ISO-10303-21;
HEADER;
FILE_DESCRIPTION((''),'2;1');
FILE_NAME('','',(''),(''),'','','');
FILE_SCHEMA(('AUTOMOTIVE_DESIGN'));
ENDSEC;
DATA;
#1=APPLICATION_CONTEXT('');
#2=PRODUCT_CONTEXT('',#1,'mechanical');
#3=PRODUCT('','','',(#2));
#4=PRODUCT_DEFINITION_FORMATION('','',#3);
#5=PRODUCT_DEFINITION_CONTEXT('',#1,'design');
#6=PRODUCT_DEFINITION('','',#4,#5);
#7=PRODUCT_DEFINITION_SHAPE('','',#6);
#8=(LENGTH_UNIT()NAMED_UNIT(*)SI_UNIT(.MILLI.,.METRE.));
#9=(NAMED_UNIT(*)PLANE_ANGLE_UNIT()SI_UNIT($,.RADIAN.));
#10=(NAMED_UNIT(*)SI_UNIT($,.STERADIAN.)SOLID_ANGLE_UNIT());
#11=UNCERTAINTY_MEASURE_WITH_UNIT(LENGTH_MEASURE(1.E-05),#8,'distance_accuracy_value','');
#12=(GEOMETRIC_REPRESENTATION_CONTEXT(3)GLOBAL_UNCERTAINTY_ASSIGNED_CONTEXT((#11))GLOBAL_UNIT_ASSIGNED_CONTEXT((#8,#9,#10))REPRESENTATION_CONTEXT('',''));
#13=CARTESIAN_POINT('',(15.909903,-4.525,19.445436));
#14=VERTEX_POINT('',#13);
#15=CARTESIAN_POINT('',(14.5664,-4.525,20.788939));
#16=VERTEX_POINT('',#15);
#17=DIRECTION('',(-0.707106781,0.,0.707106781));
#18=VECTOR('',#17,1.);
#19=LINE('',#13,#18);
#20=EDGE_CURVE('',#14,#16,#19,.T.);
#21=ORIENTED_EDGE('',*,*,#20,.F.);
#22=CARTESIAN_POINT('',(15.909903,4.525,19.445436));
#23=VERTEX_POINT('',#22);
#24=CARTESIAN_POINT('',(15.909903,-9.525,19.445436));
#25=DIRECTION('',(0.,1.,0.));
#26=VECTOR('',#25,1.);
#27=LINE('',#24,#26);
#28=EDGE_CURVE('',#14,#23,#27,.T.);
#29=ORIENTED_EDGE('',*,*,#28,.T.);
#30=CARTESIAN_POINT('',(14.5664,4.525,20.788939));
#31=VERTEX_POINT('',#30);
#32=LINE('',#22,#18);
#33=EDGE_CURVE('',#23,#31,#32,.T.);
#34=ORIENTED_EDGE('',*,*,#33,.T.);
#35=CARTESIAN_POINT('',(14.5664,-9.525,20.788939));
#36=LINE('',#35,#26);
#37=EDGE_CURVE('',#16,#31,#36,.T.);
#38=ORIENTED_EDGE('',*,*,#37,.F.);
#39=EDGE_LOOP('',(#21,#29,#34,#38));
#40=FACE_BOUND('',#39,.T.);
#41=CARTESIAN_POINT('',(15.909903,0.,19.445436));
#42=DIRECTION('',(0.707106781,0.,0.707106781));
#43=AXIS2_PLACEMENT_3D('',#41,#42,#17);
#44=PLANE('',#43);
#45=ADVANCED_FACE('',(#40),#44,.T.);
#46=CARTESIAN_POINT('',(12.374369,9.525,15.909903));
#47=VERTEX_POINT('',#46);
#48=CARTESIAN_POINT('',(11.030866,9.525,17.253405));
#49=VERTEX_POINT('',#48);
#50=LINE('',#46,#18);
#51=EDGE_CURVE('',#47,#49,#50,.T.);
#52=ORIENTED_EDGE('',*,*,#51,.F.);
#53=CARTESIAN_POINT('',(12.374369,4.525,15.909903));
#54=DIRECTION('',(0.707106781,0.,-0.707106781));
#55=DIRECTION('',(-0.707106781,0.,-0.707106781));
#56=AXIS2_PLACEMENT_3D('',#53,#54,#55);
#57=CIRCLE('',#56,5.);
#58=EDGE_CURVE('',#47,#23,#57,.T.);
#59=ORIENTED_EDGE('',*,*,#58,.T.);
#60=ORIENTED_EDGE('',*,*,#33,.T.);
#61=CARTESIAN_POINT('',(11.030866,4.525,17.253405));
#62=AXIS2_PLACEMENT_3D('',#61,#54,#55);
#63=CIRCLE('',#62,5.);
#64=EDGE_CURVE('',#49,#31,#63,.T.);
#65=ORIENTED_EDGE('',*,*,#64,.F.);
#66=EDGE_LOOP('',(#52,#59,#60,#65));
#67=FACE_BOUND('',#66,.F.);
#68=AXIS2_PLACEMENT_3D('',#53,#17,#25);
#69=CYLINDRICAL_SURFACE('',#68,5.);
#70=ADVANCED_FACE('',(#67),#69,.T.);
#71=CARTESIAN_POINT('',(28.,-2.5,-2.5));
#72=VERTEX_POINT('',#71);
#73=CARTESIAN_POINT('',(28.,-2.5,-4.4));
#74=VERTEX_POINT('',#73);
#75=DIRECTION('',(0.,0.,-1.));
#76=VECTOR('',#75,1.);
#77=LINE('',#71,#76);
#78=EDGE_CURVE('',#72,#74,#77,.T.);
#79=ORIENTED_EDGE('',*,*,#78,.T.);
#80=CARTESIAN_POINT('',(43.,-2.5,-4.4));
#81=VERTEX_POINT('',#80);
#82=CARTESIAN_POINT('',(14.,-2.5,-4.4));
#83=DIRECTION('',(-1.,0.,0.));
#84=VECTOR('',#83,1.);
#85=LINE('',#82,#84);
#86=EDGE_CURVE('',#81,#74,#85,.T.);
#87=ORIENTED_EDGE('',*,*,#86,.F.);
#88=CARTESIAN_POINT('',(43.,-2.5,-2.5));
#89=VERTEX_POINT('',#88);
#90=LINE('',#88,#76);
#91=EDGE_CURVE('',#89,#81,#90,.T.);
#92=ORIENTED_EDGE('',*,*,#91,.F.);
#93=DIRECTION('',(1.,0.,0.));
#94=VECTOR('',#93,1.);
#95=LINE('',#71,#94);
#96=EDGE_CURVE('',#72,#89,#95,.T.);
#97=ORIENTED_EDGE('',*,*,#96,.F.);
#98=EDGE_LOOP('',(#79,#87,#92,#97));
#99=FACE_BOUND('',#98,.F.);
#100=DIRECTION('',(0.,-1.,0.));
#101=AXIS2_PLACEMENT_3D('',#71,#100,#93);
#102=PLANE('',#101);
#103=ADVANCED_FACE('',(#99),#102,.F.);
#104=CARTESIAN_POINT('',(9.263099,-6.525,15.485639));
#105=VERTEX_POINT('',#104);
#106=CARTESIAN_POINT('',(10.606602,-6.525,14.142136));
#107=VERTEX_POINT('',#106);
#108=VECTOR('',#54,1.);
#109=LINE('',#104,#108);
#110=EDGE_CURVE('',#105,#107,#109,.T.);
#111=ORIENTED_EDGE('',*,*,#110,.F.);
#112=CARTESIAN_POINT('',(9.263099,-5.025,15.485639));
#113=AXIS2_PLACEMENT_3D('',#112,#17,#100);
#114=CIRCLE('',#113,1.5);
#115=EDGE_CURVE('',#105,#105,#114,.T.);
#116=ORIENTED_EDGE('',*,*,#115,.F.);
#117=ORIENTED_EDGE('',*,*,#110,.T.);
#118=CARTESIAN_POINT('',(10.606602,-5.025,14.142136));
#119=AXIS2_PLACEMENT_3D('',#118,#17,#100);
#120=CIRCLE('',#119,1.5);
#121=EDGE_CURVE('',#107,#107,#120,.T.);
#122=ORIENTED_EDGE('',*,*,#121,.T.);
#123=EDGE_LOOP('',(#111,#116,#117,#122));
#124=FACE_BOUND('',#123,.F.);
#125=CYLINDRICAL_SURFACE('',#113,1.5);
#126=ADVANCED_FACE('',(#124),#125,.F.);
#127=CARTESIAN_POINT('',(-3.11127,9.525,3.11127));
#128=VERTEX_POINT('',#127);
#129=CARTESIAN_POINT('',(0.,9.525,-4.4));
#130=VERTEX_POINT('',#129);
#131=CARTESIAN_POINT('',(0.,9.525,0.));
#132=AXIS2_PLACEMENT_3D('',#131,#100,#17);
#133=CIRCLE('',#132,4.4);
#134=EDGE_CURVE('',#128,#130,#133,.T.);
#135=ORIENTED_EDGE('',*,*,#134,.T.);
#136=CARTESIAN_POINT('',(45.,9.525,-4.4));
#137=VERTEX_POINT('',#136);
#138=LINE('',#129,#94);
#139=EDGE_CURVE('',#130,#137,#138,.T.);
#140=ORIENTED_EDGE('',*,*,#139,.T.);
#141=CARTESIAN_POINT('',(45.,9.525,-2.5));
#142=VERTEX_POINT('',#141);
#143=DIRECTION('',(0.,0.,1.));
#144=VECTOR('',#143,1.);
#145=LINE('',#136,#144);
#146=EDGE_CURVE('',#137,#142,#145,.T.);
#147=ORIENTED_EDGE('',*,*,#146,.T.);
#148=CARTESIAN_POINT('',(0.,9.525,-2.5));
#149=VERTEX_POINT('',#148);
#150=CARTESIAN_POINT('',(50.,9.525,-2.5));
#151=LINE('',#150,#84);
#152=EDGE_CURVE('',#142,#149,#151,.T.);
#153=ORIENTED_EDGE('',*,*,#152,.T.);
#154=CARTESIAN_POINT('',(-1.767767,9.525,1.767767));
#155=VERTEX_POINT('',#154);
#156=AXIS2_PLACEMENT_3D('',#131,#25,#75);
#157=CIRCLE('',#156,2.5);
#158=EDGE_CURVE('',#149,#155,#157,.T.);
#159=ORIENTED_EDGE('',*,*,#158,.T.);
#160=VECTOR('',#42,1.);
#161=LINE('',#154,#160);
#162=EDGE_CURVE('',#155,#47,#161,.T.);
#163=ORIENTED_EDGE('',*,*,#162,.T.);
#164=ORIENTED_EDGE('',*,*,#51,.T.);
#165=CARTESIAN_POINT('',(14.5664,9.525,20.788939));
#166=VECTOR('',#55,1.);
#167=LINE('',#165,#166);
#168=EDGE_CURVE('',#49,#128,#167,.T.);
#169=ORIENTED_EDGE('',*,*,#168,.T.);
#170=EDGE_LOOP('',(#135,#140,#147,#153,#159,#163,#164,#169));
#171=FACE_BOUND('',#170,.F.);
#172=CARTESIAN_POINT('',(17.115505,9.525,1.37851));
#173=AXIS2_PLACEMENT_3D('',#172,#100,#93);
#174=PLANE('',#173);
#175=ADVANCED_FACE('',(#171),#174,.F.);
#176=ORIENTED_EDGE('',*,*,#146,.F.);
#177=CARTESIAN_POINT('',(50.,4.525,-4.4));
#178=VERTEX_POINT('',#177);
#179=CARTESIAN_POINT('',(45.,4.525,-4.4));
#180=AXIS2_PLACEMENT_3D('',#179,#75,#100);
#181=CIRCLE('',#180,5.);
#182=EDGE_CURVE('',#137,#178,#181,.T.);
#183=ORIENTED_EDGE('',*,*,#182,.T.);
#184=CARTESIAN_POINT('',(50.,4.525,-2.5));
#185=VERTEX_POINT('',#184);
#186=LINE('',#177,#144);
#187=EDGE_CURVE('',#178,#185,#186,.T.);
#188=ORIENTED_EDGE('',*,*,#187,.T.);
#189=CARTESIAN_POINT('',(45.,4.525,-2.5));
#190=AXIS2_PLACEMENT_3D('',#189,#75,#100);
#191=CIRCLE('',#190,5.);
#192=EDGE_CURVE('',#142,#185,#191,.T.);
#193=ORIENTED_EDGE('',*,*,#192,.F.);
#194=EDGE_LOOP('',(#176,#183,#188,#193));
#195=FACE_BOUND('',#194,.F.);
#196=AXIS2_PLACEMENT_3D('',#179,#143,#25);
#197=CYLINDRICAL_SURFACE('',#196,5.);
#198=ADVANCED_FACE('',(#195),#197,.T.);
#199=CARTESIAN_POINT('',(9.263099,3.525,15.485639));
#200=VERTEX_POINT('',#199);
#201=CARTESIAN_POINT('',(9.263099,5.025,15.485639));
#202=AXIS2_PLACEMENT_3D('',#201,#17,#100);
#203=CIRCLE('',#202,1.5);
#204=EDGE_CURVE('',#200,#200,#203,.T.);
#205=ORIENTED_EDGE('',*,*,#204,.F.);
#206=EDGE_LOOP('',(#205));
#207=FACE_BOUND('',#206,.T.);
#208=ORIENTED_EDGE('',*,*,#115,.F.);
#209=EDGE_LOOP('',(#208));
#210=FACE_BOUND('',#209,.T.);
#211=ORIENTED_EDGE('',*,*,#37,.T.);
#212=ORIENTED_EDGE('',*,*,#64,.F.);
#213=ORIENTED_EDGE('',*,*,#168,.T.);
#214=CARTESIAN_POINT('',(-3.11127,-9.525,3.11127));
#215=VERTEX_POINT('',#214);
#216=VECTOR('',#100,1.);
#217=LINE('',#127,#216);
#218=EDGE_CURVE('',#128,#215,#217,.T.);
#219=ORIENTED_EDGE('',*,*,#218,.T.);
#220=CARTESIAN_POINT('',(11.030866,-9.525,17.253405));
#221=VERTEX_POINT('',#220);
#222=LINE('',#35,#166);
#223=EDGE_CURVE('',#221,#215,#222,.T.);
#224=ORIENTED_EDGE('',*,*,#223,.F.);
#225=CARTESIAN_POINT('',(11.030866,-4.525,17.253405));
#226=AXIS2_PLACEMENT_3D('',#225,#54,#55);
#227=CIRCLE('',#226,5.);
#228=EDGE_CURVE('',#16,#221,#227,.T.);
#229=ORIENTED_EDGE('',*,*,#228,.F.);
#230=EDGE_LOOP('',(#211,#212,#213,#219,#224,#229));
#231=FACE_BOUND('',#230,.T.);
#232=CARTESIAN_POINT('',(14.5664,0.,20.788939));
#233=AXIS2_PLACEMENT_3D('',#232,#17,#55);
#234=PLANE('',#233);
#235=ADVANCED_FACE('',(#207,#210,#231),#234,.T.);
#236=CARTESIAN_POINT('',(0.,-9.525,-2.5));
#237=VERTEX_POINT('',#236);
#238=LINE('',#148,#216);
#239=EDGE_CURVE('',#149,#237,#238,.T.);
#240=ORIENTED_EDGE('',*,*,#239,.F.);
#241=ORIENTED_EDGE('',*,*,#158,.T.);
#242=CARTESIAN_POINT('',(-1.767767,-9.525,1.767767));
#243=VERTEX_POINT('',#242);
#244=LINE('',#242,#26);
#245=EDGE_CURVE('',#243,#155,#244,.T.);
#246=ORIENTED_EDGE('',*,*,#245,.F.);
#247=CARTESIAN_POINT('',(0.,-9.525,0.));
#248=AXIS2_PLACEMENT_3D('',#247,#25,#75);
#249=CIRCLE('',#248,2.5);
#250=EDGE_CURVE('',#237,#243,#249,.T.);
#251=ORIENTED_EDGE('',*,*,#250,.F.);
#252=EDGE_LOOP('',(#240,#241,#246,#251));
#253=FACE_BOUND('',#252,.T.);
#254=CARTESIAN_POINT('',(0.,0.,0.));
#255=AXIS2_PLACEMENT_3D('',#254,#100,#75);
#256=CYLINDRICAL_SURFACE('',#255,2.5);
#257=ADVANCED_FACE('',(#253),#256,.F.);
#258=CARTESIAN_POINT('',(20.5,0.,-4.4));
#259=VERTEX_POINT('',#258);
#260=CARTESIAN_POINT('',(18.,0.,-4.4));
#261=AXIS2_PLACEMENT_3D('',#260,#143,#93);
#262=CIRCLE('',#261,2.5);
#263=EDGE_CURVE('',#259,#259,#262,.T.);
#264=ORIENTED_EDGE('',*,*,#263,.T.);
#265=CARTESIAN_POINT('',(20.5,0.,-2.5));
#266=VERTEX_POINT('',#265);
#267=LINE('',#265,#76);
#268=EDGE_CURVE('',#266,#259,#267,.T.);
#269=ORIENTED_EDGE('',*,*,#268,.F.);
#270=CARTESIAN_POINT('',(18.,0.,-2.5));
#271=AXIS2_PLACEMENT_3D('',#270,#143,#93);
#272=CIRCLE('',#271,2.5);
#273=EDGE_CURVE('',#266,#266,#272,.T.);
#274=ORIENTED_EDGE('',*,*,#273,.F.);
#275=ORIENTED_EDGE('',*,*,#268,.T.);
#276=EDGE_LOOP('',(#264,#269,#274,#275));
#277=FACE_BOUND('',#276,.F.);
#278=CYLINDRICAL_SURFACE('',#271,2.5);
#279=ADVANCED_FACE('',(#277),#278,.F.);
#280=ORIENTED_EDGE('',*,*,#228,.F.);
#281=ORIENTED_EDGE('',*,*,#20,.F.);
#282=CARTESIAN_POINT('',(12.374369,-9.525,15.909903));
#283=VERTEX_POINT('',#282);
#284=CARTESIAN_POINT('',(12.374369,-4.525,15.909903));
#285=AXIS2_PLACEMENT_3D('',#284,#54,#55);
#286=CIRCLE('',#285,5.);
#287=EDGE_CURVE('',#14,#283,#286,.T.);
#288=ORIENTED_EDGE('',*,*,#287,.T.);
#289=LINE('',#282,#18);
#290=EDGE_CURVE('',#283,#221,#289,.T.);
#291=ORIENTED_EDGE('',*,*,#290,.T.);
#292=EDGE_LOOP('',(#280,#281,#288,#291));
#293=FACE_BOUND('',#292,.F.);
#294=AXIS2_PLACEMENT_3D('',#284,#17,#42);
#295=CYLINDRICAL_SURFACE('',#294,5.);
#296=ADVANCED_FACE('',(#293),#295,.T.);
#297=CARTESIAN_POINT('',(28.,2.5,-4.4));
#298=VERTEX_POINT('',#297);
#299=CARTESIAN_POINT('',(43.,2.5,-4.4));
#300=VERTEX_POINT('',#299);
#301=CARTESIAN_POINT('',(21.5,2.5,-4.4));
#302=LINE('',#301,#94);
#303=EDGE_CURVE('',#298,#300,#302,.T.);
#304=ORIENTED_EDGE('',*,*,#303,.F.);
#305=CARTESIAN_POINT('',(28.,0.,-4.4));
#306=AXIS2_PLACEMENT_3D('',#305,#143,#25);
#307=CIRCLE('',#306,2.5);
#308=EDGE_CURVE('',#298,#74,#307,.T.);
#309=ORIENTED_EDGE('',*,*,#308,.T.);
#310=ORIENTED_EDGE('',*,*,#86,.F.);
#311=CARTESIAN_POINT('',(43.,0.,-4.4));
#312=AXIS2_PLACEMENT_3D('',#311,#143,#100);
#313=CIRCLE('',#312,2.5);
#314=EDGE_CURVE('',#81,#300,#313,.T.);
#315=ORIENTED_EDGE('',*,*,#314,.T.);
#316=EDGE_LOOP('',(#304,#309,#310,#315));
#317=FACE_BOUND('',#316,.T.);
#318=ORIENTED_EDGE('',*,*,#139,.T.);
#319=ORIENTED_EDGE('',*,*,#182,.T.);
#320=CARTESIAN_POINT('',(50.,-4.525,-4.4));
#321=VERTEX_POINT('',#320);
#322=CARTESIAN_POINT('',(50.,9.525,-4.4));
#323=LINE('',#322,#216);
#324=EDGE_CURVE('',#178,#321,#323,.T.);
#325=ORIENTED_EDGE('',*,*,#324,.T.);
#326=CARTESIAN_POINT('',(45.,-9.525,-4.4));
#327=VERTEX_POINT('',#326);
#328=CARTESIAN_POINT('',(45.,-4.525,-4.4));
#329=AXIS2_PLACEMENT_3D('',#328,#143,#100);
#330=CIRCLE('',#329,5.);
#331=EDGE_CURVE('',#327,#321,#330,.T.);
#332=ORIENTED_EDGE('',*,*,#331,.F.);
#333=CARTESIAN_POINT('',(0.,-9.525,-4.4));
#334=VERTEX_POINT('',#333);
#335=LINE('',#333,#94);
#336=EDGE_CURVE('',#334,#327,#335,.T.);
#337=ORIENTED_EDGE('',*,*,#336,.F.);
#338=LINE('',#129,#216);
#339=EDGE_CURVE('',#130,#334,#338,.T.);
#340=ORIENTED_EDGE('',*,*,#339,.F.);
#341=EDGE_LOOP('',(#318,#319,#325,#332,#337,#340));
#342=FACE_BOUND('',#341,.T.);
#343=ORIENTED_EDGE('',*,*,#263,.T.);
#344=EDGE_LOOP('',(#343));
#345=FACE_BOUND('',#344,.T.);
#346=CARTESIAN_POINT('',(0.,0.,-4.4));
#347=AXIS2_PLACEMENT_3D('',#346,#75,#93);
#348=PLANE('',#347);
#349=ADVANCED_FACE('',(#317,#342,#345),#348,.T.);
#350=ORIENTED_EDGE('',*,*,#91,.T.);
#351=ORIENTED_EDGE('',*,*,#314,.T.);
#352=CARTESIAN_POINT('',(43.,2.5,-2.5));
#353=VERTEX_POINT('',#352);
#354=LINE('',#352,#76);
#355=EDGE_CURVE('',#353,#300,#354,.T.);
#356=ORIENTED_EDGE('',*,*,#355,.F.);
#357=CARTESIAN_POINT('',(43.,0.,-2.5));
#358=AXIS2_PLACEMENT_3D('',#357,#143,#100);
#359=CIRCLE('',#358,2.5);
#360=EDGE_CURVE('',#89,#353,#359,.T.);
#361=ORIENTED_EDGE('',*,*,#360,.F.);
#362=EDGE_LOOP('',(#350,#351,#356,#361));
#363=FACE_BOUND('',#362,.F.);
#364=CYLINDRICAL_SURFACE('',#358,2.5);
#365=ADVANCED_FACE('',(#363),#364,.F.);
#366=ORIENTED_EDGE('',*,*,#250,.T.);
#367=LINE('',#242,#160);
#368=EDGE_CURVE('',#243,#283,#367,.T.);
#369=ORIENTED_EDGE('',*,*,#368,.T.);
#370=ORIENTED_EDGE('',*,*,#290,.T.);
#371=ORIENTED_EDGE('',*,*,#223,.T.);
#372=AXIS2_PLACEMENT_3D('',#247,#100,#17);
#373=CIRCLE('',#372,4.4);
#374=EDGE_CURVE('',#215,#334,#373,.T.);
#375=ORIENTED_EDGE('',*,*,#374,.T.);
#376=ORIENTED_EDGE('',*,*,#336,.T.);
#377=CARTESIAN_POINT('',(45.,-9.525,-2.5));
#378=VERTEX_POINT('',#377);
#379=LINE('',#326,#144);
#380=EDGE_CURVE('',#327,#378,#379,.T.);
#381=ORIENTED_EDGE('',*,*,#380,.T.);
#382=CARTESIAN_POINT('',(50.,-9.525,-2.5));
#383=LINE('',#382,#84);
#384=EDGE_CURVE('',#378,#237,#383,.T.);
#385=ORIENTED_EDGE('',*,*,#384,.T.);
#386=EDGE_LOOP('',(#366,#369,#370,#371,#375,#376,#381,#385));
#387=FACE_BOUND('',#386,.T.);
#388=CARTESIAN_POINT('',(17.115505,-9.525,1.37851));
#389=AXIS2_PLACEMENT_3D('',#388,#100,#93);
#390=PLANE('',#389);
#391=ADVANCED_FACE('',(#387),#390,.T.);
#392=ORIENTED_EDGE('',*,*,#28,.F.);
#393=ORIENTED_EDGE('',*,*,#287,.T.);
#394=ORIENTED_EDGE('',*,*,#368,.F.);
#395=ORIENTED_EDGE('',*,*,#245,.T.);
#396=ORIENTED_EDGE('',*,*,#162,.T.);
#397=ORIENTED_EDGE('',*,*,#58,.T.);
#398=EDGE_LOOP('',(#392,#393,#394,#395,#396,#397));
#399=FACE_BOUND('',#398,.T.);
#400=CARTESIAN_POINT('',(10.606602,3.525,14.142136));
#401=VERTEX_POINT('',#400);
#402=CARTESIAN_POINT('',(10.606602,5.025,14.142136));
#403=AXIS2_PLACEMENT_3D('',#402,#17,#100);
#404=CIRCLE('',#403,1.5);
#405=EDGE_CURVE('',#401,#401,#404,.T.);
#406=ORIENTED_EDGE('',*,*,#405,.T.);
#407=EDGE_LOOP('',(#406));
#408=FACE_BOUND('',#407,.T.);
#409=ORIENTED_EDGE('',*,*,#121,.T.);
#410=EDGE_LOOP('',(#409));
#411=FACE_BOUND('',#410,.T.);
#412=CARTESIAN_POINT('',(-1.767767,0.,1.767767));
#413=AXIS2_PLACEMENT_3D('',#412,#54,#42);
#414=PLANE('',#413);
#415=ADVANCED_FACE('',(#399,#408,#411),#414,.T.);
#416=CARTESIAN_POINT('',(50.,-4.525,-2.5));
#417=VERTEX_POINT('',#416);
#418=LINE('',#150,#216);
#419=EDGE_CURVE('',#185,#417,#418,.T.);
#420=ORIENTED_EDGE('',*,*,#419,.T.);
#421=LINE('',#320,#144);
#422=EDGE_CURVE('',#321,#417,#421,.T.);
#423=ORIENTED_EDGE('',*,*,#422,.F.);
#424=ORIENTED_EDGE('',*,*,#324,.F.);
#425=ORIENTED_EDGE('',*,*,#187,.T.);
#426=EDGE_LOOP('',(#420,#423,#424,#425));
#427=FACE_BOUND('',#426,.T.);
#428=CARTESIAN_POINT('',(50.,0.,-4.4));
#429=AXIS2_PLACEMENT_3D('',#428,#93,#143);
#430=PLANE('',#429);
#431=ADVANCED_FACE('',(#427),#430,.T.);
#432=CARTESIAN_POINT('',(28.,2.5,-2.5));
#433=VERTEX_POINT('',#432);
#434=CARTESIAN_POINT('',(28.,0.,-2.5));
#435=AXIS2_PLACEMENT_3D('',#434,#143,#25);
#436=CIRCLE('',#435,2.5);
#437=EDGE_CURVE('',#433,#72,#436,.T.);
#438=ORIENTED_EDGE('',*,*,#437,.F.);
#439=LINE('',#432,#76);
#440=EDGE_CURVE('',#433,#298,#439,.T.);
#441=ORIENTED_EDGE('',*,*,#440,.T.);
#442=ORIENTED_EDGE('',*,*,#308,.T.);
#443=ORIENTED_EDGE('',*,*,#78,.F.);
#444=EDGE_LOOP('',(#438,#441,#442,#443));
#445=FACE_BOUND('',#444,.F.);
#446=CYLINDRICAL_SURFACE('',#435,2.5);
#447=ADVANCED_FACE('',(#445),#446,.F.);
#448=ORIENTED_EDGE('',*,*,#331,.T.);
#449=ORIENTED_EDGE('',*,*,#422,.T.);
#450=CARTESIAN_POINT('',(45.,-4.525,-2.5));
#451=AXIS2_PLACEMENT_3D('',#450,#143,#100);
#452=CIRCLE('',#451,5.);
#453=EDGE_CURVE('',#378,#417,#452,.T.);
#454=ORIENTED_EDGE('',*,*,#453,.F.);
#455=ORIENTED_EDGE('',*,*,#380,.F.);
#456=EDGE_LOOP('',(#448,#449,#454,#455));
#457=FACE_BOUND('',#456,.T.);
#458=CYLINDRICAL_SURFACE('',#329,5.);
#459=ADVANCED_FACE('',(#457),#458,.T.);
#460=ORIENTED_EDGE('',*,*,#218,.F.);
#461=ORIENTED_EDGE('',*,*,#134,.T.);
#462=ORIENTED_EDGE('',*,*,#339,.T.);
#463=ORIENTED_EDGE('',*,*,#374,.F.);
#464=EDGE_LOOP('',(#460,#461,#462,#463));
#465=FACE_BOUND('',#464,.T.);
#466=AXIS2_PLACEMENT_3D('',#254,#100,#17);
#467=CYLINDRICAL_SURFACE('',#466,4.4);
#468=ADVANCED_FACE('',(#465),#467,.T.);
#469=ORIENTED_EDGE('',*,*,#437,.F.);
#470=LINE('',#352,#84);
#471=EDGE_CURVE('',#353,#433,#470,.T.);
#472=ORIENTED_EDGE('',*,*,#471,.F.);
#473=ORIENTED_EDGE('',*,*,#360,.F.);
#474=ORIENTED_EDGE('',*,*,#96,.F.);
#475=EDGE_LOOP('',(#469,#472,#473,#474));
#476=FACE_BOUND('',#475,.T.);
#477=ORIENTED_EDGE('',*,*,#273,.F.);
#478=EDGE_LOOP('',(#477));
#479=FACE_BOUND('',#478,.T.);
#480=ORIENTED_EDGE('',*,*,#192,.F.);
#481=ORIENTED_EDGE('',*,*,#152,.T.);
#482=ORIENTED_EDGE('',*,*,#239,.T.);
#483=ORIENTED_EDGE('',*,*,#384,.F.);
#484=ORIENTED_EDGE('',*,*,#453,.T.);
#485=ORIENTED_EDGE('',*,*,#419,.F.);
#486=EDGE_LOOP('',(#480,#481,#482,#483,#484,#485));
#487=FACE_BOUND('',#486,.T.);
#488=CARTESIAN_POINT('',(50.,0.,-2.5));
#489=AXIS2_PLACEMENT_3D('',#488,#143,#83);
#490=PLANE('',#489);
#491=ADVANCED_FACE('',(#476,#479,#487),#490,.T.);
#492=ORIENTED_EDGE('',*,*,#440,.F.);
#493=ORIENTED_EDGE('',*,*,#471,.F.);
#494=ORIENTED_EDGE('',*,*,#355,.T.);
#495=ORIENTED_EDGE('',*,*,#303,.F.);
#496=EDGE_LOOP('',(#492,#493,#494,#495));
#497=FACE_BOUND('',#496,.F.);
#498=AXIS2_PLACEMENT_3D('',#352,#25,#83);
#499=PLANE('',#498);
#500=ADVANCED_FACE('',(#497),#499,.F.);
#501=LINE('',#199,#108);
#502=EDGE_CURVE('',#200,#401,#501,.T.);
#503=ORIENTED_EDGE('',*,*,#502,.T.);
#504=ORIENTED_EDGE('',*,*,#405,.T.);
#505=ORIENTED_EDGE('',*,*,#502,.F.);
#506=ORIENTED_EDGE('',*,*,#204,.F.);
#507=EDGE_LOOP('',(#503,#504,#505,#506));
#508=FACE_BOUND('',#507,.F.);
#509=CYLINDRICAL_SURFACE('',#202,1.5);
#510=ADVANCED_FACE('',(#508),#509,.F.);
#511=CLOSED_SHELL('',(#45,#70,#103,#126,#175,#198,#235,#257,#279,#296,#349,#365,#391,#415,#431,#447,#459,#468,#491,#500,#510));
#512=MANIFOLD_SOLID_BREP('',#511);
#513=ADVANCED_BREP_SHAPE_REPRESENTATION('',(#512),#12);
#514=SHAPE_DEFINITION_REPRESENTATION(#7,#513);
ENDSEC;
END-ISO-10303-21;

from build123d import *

# Parameters (mm, degrees)
F1_DEPTH = 9.525
F2_R     = 2.5
F3_DEPTH = 1.901
F4_R     = 1.5
F5_DEPTH = 10
F6_R     = 5


with BuildPart() as f1:
    # F0 (on Front) → F1 (new body, symmetric)
    with BuildSketch(Plane.XZ):
        with BuildLine():
            Line((14.5663996924, 20.7889393669), (-3.1112698372, 3.1112698372))
            ThreePointArc((-3.1112698372, 3.1112698372), (-4.065069943, -1.6838071024), (0, -4.4))
            Line((0, -4.4), (50, -4.4))
            Line((50, -4.4), (50, -2.5))
            Line((50, -2.5), (0, -2.5))
            ThreePointArc((0, -2.5), (-2.3096988313, -0.9567085809), (-1.767766953, 1.767766953))
            Line((-1.767766953, 1.767766953), (15.9099025767, 19.4454364826))
            Line((15.9099025767, 19.4454364826), (14.5663996924, 20.7889393669))
        make_face()
    extrude(amount=F1_DEPTH, both=True)

    # F2 (on face) → F3 (cut, through all)
    with BuildSketch(Plane.XY.offset(-2.5)):
        with BuildLine():
            Line((43, 2.5), (28, 2.5))
            ThreePointArc((28, 2.5), (25.5, 0), (28, -2.5))
            Line((28, -2.5), (43, -2.5))
            ThreePointArc((43, -2.5), (45.5, 0), (43, 2.5))
        make_face()
        with Locations((18, 0)):
            Circle(F2_R)
    extrude(amount=-F3_DEPTH, mode=Mode.SUBTRACT)

    # F4 (on face) → F5 (cut)
    with BuildSketch(Plane(origin=(-3.1112698372, 0, 3.1112698372), x_dir=(0, -1, 0), z_dir=(-0.7071067812, 0, 0.7071067812))):
        with Locations((-5.025, 17.5)):
            Circle(F4_R)
        with Locations((5.025, 17.5)):
            Circle(F4_R)
    extrude(amount=-F5_DEPTH, mode=Mode.SUBTRACT)

    # F6
    f6_edges = [f1.edges().sort_by_distance(p)[0] for p in [
        (15.238151, 9.525, 20.117188),
        (50, -9.525, -3.45),
        (15.238151, -9.525, 20.117188),
        (50, 9.525, -3.45),
    ]]
    fillet(f6_edges, radius=F6_R)


solid = f1.part
